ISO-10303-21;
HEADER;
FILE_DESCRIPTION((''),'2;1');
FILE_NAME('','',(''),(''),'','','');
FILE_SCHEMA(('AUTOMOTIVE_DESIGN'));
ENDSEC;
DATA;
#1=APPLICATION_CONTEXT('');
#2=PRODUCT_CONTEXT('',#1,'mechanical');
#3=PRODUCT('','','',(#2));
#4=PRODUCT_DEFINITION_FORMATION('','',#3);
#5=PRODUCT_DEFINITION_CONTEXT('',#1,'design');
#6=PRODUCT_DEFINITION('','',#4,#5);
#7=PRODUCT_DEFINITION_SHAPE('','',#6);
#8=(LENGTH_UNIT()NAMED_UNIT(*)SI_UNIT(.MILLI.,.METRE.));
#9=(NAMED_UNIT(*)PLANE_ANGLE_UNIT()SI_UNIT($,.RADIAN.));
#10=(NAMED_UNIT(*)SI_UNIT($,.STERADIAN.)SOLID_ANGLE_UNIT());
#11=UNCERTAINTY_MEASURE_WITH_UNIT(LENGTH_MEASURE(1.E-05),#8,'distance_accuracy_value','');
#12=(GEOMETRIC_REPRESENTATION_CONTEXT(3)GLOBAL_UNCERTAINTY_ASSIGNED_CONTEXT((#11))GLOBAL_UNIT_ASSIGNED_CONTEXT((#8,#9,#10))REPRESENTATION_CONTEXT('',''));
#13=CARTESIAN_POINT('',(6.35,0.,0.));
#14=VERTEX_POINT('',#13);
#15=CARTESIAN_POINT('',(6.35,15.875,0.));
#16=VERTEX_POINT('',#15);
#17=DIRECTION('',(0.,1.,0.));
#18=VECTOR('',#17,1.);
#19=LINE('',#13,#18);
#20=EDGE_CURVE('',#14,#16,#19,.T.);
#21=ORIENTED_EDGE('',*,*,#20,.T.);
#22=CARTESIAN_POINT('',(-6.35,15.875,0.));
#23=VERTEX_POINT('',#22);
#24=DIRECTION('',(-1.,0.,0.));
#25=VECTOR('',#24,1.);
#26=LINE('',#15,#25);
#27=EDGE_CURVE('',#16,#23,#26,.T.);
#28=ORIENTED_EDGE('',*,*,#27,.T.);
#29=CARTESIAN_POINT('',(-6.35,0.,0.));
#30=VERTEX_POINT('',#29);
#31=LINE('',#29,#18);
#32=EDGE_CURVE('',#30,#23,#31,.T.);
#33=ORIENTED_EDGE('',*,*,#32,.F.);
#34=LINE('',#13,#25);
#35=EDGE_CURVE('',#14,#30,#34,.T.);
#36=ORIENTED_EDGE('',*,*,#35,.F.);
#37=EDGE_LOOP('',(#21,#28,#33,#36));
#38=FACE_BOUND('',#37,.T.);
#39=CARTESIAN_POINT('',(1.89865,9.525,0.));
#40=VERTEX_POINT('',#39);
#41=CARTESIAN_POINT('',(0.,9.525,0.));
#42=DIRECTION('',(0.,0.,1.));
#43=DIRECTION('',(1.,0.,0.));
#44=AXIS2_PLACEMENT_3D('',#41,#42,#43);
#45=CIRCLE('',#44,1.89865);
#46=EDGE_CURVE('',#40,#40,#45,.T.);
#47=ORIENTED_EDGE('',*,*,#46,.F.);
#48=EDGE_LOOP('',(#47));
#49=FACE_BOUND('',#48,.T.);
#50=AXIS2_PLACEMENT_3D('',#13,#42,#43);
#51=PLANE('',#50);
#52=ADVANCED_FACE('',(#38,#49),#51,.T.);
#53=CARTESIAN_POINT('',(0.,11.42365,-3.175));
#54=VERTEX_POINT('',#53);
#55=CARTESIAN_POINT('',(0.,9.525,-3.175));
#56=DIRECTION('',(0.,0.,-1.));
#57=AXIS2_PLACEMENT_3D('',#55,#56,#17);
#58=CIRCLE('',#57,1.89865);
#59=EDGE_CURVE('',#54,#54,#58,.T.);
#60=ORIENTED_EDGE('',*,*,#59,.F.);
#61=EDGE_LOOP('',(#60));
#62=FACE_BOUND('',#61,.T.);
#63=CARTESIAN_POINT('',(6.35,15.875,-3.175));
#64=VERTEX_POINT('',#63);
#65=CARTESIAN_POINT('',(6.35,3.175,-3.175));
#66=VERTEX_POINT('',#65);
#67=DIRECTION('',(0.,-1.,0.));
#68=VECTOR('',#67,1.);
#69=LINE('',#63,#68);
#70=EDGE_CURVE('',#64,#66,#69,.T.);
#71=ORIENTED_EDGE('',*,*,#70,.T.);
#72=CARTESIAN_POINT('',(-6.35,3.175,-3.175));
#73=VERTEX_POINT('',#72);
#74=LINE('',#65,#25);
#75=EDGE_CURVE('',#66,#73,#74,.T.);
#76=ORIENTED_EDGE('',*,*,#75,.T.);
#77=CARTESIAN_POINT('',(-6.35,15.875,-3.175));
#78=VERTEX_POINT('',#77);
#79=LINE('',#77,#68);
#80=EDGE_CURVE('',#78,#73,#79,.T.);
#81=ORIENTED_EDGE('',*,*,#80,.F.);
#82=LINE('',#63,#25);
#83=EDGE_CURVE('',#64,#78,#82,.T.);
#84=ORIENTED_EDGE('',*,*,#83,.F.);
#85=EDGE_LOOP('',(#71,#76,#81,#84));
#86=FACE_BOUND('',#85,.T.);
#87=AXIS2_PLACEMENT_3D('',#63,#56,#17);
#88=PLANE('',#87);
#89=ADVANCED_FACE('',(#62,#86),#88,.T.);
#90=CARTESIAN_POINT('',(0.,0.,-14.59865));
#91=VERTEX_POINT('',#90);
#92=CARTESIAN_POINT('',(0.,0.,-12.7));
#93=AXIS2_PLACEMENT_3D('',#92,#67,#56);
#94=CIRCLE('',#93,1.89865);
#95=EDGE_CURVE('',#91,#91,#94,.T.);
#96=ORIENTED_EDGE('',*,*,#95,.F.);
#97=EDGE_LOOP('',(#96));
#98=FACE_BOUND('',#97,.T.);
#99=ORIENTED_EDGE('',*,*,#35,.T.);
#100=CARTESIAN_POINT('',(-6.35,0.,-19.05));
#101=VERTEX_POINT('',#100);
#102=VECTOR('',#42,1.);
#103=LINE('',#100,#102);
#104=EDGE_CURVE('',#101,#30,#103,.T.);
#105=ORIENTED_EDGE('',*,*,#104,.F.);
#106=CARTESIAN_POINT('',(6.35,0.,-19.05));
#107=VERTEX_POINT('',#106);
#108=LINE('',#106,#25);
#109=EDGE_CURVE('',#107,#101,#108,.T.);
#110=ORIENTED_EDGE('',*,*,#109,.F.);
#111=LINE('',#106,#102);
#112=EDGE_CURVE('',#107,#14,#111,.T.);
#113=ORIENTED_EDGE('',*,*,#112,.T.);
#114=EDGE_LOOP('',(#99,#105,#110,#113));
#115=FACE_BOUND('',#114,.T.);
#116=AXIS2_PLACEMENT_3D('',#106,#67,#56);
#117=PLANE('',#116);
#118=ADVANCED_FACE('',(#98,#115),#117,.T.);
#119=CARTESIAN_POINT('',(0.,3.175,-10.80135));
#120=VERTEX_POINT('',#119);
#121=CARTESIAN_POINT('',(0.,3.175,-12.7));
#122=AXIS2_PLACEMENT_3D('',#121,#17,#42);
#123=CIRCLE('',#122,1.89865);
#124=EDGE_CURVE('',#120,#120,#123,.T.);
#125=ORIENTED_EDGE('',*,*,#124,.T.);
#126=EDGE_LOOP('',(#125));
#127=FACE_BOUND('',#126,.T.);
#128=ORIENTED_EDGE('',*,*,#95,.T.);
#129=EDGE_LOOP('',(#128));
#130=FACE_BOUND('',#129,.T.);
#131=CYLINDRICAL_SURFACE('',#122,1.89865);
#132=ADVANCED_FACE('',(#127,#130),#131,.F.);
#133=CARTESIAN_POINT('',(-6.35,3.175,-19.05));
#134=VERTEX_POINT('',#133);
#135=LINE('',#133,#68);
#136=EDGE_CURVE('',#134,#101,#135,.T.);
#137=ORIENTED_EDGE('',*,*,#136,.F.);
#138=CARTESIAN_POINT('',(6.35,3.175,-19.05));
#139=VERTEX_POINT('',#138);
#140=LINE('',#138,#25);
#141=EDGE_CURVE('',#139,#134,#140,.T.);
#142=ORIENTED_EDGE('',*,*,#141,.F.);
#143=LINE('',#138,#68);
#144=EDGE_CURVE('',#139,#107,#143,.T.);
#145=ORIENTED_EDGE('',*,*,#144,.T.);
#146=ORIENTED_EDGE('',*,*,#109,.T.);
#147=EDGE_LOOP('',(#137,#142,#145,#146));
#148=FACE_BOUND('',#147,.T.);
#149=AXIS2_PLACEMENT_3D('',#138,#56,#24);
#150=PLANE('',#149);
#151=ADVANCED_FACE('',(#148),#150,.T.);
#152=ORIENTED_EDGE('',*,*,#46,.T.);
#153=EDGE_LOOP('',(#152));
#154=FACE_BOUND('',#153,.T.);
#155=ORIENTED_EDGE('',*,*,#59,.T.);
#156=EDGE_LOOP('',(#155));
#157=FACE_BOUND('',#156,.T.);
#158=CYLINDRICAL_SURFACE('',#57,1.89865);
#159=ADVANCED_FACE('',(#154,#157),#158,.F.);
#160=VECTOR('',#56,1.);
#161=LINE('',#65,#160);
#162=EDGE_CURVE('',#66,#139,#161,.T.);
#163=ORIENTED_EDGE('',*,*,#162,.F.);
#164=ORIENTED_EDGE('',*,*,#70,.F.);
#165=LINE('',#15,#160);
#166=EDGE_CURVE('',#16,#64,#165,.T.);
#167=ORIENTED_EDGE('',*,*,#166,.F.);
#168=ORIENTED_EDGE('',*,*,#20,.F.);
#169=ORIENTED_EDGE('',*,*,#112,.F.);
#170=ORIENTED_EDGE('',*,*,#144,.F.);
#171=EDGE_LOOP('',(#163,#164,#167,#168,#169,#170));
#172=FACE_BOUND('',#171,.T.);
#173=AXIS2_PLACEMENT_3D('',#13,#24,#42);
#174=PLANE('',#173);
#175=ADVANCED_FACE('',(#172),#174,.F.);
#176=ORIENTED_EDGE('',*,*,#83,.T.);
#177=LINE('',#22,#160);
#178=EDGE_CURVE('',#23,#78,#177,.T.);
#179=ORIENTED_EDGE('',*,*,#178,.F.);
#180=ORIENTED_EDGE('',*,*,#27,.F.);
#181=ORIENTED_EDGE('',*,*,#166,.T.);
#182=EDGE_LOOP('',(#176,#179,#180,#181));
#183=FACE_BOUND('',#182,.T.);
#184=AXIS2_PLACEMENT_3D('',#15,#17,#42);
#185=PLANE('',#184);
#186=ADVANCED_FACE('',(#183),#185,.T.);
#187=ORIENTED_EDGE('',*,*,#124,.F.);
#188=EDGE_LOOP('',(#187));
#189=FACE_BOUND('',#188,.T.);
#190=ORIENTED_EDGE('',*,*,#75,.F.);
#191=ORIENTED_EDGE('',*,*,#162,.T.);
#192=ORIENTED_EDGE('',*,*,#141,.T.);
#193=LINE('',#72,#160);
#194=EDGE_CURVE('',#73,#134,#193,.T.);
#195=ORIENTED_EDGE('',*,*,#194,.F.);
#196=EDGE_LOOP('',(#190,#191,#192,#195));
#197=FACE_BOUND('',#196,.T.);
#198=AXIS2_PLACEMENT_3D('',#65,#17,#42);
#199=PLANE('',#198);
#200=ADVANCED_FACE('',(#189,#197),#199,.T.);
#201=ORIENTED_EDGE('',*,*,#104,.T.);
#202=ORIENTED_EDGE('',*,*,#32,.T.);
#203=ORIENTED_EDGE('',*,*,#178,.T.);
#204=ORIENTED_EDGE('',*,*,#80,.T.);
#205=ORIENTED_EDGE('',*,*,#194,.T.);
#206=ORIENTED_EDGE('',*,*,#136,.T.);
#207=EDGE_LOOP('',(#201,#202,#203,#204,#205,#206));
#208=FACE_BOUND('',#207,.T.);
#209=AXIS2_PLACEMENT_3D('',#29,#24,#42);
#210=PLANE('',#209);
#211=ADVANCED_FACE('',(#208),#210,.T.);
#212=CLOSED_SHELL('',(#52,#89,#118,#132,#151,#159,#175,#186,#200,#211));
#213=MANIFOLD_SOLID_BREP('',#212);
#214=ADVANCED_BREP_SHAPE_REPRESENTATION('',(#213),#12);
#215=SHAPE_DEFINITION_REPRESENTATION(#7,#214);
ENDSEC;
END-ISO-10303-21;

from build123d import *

# Parameters (mm, degrees)
EXTRUDE1_DEPTH                      = 6.35
EXTRUDE1_DEPTH_BACK                 = 6.35
F_6_CLEARANCE_HOLE1_D               = 3.7973
F_6_CLEARANCE_HOLE1_DEPTH           = 12.7
F_6_CLEARANCE_HOLE1_TIP             = 1.140824014
F_6_CLEARANCE_HOLE1_ON_FACE_2_D     = 3.7973
F_6_CLEARANCE_HOLE1_ON_FACE_2_DEPTH = 12.7
F_6_CLEARANCE_HOLE1_ON_FACE_2_TIP   = 1.140824014


with BuildPart() as part:
    # Sketch2 → Extrude1 (new, two sides: drawn at the far end of the back side and taken through both)
    with BuildSketch(Plane(origin=(0, 0, 0), x_dir=(0, 0, -1), z_dir=(1, 0, 0)).offset(-EXTRUDE1_DEPTH_BACK)):
        Polygon((0, 0), (0, 15.875), (3.175, 15.875), (3.175, 3.175), (19.05, 3.175), (19.05, 0), align=None)
    extrude(amount=EXTRUDE1_DEPTH + EXTRUDE1_DEPTH_BACK)

    # #6 Clearance Hole1
    with Locations(Plane(origin=(0, 9.525, -3.175), x_dir=(0, -1, 0), z_dir=(0, 0, -1))):
        with Locations((0, 0)):
            Hole(F_6_CLEARANCE_HOLE1_D / 2, depth=F_6_CLEARANCE_HOLE1_DEPTH)
            with Locations((0, 0, -(F_6_CLEARANCE_HOLE1_DEPTH + F_6_CLEARANCE_HOLE1_TIP / 2))):  # 118° drill point
                Cone(0, F_6_CLEARANCE_HOLE1_D / 2, F_6_CLEARANCE_HOLE1_TIP, mode=Mode.SUBTRACT)

    # #6 Clearance Hole1 on face 2
    with Locations(Plane(origin=(0, 3.175, -12.7), x_dir=(0, 0, 1), z_dir=(0, 1, 0))):
        with Locations((0, 0)):
            Hole(F_6_CLEARANCE_HOLE1_ON_FACE_2_D / 2, depth=F_6_CLEARANCE_HOLE1_ON_FACE_2_DEPTH)
            with Locations((0, 0, -(F_6_CLEARANCE_HOLE1_ON_FACE_2_DEPTH + F_6_CLEARANCE_HOLE1_ON_FACE_2_TIP / 2))):  # 118° drill point
                Cone(0, F_6_CLEARANCE_HOLE1_ON_FACE_2_D / 2, F_6_CLEARANCE_HOLE1_ON_FACE_2_TIP, mode=Mode.SUBTRACT)


solid = part.part
